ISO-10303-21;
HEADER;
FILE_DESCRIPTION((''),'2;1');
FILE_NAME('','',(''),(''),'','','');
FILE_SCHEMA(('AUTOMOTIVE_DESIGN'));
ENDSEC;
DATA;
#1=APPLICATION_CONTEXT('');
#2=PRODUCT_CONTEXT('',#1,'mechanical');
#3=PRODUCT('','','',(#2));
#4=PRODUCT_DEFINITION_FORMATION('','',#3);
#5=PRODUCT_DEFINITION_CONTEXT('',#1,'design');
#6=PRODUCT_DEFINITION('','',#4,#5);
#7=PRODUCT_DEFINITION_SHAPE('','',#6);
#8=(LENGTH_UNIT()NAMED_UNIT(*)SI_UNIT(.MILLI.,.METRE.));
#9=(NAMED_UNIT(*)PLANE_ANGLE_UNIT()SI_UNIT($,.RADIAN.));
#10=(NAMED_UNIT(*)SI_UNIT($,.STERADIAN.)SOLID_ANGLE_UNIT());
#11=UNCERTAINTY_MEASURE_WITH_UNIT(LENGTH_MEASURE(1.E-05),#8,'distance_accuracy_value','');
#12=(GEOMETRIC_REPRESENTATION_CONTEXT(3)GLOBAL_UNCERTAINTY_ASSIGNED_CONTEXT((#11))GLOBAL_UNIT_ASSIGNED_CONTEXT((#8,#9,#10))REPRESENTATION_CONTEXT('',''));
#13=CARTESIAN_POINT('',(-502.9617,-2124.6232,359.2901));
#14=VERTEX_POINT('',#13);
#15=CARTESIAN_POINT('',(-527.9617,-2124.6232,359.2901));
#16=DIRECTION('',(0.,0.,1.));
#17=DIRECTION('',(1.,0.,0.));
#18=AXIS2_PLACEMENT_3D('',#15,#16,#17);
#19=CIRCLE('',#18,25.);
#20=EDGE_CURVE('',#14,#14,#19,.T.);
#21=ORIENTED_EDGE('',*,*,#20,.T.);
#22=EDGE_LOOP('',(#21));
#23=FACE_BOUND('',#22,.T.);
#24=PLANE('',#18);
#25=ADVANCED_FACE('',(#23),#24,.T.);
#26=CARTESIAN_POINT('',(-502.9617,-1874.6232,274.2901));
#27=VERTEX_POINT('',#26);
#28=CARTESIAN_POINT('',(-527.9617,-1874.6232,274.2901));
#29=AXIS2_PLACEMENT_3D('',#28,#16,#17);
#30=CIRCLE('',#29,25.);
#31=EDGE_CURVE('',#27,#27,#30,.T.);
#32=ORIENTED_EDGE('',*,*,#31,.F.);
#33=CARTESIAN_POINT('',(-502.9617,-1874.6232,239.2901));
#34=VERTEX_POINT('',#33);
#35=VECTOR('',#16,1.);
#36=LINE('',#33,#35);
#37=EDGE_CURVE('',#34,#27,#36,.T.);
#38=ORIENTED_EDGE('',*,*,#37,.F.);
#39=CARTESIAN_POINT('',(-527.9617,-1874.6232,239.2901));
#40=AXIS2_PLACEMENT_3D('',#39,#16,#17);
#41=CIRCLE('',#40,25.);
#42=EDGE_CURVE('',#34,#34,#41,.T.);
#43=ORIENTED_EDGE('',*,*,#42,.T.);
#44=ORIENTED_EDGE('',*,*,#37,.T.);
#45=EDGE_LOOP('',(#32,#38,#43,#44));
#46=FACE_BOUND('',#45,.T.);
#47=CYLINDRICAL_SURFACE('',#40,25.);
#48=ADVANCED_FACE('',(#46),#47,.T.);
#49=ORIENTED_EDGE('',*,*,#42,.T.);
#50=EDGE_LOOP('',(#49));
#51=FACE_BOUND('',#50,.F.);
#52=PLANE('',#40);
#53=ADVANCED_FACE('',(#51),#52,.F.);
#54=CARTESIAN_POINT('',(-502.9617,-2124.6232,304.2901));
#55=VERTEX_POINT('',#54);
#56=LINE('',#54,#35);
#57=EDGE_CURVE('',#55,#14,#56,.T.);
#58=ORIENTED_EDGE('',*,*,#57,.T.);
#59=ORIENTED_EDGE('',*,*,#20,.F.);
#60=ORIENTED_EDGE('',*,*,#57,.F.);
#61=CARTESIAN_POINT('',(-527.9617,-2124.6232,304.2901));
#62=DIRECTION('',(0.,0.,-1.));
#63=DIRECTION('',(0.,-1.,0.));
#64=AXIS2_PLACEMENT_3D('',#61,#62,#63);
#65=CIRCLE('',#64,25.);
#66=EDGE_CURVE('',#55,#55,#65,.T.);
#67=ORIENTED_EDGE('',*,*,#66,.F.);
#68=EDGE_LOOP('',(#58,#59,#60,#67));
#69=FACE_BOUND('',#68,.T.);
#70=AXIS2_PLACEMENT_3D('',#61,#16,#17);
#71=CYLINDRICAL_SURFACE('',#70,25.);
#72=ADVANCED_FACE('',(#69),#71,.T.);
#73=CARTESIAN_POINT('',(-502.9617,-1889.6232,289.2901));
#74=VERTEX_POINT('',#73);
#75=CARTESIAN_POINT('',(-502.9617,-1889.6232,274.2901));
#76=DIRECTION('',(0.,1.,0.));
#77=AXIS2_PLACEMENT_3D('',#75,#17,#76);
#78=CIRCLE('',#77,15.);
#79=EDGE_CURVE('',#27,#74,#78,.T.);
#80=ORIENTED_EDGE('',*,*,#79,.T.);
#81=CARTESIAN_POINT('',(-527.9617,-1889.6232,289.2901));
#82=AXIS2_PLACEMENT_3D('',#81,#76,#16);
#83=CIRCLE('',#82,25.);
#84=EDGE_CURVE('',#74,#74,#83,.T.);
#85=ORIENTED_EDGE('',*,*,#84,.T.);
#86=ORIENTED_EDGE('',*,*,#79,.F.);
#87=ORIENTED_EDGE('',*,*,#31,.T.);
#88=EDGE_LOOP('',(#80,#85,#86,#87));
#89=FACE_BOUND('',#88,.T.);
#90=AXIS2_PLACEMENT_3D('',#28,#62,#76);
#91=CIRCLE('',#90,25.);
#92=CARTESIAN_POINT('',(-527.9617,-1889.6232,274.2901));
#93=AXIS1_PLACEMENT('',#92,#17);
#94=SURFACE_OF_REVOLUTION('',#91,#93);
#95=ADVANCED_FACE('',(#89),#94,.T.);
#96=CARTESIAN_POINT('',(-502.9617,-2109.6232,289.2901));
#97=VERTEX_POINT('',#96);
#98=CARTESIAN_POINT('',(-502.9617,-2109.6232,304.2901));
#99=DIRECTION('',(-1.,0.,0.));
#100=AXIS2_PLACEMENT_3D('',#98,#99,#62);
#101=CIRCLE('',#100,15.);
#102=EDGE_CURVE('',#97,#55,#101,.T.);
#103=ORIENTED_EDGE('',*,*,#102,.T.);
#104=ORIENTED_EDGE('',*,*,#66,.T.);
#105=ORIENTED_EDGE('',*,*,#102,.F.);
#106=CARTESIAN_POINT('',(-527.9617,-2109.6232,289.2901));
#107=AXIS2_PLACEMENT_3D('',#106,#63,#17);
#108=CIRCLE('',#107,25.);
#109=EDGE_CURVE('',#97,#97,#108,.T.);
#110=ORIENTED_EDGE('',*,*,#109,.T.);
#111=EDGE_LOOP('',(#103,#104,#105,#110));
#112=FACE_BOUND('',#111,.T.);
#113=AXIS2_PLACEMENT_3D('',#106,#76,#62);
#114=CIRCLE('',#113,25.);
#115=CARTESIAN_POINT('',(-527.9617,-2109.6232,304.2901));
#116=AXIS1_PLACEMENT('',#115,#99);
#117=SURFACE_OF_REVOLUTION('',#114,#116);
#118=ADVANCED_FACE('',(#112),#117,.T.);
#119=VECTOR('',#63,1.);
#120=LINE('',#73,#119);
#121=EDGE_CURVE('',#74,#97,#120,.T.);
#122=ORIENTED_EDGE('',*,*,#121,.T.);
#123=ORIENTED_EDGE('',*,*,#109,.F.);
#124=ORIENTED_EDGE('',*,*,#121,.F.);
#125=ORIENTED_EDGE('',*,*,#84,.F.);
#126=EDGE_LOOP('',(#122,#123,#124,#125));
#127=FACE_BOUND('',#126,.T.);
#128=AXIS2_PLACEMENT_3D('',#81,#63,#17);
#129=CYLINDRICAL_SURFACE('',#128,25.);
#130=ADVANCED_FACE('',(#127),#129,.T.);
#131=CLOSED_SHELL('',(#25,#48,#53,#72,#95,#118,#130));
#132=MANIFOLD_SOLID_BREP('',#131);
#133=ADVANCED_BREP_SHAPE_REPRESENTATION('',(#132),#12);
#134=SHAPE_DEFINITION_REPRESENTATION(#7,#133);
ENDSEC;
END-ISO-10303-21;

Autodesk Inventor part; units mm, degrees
ref_plane "YZ Plane" through (0, 0, 0) normal (1, 0, 0) x (0, 1, 0)
ref_plane "XZ Plane" through (0, 0, 0) normal (0, 1, 0) x (-1, 0, 0)
ref_plane "XY Plane" through (0, 0, 0) normal (0, 0, 1) x (1, 0, 0)
ref_plane "Work Plane1" through (-527.9617, -1874.6232, 239.2901) normal (0, 0, 1) x (1, 0, 0)
sketch "Sketch7" plane through (-527.9617, -1874.6232, 239.2901) normal (0, 0, 1) x (1, 0, 0)
  circle A0 centre (0, 0) radius 25
  point P0 (527.9617, 1874.6232)
  dimension "d25" = 50
sketch3d "3D Sketch6"
  line L0 (-527.9617, -1874.6232, 239.2901) -> (-527.9617, -1874.6232, 274.2901)
  arc A0 (-527.9617, -1874.6232, 274.2901) -> (-527.9617, -1889.6232, 289.2901) centre (-527.9617, -1889.6232, 274.2901) ccw
  line L1 (-527.9617, -1889.6232, 289.2901) -> (-527.9617, -2109.6232, 289.2901)
  arc A1 (-527.9617, -2109.6232, 289.2901) -> (-527.9617, -2124.6232, 304.2901) centre (-527.9617, -2109.6232, 304.2901) ccw
  line L2 (-527.9617, -2124.6232, 304.2901) -> (-527.9617, -2124.6232, 359.2901)
  dimension "d22" = 50
  dimension "d23" = 250
  dimension "d24" = 70
  dimension "d26" = 15
  dimension "d27" = 15
sweep "Sweep1" add profiles "Sketch7" path "3D Sketch6"
properties part number "Exhaust"
